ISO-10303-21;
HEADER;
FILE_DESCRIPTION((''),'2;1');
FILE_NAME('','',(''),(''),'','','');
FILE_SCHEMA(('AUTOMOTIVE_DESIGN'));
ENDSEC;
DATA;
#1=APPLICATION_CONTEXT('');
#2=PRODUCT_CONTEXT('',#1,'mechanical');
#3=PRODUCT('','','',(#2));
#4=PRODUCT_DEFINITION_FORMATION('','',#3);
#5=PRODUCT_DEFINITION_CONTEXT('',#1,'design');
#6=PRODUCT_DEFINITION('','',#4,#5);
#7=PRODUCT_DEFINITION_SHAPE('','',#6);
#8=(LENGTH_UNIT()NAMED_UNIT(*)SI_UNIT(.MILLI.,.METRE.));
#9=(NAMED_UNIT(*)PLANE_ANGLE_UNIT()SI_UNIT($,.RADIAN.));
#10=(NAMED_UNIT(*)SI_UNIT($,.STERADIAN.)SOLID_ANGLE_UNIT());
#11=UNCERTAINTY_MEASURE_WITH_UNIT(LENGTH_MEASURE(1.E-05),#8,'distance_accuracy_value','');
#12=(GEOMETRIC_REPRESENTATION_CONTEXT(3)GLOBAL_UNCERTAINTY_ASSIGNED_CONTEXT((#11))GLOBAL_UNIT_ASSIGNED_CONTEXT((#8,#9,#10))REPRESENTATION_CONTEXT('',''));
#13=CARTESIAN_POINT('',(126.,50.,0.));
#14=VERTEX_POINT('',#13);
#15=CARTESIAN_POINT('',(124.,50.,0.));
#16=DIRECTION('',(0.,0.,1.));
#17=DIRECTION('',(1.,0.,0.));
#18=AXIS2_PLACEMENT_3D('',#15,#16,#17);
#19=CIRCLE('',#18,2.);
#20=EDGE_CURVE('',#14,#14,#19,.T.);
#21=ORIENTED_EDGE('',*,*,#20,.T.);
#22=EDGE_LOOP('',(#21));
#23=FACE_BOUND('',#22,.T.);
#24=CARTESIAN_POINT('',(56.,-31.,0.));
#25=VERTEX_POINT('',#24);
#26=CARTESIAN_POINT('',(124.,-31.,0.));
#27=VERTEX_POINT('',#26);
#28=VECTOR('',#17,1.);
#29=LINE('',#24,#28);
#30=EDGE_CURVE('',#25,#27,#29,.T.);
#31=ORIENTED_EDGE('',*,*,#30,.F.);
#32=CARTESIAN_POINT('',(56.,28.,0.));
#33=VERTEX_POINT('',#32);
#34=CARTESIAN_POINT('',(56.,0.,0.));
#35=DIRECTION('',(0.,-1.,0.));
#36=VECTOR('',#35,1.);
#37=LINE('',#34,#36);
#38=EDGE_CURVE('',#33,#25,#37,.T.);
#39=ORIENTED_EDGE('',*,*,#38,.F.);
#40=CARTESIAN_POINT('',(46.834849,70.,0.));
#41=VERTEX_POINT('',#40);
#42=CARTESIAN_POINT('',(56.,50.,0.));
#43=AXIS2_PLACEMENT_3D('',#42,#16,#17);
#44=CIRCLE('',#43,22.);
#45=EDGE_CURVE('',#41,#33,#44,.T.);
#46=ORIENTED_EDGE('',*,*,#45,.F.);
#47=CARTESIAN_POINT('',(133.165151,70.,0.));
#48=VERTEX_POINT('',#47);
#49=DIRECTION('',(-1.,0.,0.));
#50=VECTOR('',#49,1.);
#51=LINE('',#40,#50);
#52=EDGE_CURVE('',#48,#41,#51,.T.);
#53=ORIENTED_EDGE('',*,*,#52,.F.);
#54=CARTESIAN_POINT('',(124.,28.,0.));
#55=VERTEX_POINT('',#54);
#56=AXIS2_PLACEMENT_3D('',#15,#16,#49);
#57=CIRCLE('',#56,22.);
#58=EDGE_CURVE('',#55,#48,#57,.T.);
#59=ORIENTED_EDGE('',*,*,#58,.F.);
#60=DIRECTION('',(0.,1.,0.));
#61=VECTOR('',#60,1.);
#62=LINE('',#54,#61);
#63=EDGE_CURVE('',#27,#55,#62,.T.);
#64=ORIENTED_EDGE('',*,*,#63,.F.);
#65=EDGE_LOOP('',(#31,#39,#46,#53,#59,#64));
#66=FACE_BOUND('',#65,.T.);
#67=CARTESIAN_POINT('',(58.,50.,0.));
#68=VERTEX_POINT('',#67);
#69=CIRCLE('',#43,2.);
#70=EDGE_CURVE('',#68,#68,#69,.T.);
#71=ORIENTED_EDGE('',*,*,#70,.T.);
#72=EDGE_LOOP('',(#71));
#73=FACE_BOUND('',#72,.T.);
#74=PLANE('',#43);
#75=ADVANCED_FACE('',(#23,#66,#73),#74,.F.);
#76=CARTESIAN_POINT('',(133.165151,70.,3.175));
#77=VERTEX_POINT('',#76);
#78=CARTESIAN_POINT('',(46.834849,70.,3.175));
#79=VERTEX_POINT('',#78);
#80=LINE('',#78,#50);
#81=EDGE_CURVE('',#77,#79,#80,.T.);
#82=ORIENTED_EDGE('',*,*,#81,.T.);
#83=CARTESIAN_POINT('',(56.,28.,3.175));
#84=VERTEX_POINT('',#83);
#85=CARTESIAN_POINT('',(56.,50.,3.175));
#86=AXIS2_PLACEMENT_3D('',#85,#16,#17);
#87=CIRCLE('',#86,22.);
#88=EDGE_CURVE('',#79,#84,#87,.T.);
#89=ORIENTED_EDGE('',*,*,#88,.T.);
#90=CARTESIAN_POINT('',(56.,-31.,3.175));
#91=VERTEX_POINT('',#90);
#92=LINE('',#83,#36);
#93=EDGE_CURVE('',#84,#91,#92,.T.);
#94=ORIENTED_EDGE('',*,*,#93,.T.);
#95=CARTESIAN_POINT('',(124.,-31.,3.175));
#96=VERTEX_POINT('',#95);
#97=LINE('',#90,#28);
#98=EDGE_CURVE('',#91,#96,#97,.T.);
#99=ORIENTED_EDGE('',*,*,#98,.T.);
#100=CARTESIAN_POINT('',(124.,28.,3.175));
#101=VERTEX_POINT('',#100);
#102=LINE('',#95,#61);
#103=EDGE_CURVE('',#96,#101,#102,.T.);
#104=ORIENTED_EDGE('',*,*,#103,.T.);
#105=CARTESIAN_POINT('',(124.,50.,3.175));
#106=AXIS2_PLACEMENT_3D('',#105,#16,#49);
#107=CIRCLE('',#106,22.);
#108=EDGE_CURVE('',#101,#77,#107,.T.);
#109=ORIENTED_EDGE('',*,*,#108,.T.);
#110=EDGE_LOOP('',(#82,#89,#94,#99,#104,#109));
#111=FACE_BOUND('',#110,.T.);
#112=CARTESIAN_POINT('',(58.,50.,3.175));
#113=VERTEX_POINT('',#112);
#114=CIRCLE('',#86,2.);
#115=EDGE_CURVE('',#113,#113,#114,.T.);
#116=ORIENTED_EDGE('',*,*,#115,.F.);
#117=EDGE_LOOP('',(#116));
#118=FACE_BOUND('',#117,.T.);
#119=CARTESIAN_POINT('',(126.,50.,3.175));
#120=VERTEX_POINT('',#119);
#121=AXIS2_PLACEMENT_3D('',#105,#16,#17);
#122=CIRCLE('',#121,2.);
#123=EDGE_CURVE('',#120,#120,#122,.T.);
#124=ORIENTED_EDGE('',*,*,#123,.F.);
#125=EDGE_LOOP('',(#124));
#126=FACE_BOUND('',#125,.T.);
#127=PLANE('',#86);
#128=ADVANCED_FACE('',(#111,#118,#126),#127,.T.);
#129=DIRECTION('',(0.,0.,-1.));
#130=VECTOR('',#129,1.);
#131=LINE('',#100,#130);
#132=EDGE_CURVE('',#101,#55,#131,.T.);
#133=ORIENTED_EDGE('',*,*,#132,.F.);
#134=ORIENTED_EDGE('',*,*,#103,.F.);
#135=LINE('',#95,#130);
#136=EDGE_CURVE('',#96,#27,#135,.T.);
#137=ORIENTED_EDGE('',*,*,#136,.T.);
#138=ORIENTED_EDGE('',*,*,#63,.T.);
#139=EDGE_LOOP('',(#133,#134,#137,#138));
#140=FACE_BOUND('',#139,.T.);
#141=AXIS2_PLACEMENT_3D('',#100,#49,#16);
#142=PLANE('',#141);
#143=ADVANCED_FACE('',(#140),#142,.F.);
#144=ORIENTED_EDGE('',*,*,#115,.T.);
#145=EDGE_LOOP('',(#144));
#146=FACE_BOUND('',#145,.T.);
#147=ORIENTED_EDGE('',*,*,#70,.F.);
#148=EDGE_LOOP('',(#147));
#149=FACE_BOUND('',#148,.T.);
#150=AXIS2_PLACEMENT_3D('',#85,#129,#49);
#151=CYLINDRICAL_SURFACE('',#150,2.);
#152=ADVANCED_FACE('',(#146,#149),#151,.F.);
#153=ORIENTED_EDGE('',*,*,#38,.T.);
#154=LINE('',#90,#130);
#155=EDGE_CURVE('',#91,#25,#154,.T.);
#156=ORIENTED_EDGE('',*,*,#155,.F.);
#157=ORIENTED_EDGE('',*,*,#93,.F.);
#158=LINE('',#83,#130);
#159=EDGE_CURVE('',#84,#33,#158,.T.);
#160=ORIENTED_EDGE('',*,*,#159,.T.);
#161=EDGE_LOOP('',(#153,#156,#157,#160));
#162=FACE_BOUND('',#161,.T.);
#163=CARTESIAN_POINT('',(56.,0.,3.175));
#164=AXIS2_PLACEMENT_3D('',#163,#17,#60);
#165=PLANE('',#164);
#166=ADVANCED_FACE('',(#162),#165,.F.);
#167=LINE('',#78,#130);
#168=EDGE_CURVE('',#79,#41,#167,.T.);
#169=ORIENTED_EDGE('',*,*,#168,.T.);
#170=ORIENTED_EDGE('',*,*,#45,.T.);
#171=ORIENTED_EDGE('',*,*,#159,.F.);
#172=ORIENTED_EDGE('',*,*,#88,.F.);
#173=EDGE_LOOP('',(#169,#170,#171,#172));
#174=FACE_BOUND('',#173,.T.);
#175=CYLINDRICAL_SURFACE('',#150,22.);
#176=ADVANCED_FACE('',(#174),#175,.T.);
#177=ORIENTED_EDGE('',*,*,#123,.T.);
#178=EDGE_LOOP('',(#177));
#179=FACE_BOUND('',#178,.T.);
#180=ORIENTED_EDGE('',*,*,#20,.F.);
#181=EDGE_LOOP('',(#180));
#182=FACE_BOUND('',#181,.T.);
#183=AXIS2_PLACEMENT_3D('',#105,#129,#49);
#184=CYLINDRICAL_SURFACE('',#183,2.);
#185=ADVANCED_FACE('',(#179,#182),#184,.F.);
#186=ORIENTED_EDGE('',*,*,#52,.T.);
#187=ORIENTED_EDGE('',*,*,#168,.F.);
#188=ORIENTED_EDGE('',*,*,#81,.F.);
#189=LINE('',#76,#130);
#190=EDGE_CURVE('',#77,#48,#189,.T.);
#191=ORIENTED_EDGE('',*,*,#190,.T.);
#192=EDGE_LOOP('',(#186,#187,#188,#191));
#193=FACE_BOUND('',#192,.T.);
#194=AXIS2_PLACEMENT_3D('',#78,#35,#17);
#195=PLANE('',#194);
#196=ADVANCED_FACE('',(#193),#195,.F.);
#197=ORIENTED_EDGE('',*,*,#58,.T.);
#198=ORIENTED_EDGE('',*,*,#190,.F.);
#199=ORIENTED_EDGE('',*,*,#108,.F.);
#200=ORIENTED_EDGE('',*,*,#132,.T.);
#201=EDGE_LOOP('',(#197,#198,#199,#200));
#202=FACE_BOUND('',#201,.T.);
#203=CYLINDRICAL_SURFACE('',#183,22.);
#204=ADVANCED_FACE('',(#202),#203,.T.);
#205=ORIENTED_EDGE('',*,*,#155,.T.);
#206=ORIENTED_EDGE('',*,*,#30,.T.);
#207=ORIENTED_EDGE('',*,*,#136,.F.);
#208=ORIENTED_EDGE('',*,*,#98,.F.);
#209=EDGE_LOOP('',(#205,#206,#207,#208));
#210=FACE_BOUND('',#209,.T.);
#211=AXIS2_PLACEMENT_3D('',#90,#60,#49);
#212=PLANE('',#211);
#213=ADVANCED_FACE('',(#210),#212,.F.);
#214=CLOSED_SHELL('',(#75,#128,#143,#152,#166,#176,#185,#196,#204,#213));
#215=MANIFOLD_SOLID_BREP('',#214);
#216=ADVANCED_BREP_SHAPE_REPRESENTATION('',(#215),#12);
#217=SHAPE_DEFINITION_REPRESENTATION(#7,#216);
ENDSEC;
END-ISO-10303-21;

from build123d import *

# Parameters (mm, degrees)
SKETCH1_R           = 2
BOSS_EXTRUDE1_DEPTH = 3.175


with BuildPart() as part:
    # Sketch1 → Boss-Extrude1 (new body)
    with BuildSketch(Plane.XY):
        with BuildLine():
            Line((46.83484861, 70), (133.16515139, 70))
            ThreePointArc((133.16515139, 70), (145.49418526, 45.30958424), (124, 28))
            Line((124, 28), (124, 0))
            Line((124, 0), (124, -31))
            Line((124, -31), (56, -31))
            Line((56, -31), (56, 0))
            Line((56, 0), (56, 28))
            ThreePointArc((56, 28), (34.50581474, 45.30958424), (46.83484861, 70))
        make_face()
        with Locations((56, 50)):
            Circle(SKETCH1_R, mode=Mode.SUBTRACT)
        with Locations((124, 50)):
            Circle(SKETCH1_R, mode=Mode.SUBTRACT)
    extrude(amount=BOSS_EXTRUDE1_DEPTH)


solid = part.part
